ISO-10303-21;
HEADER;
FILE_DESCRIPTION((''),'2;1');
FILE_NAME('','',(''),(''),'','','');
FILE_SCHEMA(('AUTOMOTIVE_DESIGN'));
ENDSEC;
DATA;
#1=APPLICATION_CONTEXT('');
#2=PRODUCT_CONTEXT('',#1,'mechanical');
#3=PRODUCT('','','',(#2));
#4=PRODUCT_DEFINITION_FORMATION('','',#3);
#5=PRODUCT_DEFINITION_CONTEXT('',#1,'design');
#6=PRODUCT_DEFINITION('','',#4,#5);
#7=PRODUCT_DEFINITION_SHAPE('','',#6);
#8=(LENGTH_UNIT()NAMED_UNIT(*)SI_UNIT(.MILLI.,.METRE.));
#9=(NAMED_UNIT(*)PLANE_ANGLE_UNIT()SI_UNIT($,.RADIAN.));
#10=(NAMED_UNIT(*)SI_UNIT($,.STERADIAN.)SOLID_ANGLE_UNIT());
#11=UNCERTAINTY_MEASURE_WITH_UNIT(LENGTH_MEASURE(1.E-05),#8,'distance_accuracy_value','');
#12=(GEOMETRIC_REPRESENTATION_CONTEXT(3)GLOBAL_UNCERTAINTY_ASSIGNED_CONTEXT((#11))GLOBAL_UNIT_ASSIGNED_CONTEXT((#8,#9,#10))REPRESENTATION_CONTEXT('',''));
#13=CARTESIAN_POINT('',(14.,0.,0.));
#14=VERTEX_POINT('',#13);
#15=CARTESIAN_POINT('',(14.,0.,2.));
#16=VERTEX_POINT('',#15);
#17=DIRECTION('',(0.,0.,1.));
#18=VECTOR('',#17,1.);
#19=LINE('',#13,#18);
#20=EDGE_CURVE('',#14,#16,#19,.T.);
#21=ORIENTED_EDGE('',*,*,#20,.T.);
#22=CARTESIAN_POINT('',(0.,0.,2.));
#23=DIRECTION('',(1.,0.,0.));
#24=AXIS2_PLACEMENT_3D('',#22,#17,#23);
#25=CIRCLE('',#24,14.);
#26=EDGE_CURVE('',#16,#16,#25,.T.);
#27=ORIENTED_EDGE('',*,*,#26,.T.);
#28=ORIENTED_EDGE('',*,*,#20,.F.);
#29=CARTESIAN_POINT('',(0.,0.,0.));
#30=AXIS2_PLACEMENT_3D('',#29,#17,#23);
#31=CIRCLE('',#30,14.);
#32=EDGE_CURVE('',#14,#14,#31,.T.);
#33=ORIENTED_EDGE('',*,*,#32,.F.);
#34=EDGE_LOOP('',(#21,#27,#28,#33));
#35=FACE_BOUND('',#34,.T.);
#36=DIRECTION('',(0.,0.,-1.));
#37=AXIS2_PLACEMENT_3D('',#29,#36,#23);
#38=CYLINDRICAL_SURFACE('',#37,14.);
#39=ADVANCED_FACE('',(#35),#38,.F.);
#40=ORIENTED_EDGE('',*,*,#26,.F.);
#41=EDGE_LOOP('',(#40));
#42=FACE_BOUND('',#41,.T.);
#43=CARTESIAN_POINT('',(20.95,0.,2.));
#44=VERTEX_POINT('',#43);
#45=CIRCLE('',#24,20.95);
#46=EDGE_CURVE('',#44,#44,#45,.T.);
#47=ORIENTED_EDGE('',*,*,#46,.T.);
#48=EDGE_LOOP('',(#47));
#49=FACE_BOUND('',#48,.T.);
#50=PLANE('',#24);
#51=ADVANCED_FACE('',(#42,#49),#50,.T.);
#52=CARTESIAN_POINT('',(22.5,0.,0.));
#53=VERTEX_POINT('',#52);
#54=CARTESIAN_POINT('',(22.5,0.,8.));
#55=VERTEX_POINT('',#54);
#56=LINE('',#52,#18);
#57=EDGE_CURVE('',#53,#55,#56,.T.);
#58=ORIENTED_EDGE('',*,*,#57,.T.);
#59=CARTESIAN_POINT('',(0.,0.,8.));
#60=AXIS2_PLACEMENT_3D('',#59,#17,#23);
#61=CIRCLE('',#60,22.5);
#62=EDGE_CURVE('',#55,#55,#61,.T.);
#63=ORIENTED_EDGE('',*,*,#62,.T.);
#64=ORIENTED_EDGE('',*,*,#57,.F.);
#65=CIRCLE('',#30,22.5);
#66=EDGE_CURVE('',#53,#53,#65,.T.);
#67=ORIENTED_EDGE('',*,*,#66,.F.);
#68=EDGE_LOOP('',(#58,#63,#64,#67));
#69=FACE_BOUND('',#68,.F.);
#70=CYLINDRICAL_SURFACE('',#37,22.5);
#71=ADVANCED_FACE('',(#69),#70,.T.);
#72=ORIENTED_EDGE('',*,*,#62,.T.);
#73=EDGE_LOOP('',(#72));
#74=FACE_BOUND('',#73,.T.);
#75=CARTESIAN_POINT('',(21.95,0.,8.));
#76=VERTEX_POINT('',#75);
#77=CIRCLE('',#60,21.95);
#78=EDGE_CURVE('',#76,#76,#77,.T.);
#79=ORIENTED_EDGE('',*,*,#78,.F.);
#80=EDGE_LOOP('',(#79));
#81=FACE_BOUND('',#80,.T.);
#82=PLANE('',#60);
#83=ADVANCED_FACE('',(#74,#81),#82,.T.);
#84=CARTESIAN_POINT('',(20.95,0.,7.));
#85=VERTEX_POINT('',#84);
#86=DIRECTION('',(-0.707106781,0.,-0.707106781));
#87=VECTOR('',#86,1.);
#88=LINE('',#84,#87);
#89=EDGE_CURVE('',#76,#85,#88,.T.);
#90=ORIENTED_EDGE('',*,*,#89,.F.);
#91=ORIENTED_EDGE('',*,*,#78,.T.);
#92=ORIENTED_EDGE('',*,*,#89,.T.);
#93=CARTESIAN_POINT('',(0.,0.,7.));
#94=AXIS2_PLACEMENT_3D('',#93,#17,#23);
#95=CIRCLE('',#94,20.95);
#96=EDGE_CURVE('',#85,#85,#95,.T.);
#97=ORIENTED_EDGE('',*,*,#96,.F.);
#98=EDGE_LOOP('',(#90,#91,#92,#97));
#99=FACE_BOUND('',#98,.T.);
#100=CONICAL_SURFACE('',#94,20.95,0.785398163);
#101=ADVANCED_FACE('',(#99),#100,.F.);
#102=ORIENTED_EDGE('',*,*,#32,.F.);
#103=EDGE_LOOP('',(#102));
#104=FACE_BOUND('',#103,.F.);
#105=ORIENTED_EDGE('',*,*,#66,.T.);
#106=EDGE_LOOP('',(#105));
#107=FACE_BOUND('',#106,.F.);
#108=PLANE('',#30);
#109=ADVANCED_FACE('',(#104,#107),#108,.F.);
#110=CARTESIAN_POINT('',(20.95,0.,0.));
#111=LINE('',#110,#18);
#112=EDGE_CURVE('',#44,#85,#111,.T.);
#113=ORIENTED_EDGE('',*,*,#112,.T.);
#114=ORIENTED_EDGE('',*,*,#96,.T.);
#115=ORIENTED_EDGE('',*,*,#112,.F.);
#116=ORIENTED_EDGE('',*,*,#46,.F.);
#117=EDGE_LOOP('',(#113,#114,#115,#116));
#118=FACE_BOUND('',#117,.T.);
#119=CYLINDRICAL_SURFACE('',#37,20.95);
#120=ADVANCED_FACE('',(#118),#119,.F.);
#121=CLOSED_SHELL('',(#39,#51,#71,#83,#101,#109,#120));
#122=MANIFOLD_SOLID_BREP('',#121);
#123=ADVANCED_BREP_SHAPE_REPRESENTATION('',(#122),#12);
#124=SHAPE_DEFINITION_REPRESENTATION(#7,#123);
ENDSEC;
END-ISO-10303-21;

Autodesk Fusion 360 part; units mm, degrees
sketch "Sketch1" plane through (0, 0, 0) normal (0, 0, 1) x (1, 0, 0)
  circle A0 centre (0, 0) radius 22.5
  circle A1 centre (0, 0) radius 20.95
  circle A2 centre (0, 0) radius 14
  dimension "d1" = 45
  dimension "d2" = 41.9
  dimension "d3" = 28
extrude "Extrude1" add sketch "Sketch1" along normal blind 8 contours A0
extrude "Extrude2" add sketch "Sketch1" along normal blind 2 contours A1
chamfer "Chamfer1" distance 1 angle 45 1 edges at (-19.5323, 7.5758, 8)
